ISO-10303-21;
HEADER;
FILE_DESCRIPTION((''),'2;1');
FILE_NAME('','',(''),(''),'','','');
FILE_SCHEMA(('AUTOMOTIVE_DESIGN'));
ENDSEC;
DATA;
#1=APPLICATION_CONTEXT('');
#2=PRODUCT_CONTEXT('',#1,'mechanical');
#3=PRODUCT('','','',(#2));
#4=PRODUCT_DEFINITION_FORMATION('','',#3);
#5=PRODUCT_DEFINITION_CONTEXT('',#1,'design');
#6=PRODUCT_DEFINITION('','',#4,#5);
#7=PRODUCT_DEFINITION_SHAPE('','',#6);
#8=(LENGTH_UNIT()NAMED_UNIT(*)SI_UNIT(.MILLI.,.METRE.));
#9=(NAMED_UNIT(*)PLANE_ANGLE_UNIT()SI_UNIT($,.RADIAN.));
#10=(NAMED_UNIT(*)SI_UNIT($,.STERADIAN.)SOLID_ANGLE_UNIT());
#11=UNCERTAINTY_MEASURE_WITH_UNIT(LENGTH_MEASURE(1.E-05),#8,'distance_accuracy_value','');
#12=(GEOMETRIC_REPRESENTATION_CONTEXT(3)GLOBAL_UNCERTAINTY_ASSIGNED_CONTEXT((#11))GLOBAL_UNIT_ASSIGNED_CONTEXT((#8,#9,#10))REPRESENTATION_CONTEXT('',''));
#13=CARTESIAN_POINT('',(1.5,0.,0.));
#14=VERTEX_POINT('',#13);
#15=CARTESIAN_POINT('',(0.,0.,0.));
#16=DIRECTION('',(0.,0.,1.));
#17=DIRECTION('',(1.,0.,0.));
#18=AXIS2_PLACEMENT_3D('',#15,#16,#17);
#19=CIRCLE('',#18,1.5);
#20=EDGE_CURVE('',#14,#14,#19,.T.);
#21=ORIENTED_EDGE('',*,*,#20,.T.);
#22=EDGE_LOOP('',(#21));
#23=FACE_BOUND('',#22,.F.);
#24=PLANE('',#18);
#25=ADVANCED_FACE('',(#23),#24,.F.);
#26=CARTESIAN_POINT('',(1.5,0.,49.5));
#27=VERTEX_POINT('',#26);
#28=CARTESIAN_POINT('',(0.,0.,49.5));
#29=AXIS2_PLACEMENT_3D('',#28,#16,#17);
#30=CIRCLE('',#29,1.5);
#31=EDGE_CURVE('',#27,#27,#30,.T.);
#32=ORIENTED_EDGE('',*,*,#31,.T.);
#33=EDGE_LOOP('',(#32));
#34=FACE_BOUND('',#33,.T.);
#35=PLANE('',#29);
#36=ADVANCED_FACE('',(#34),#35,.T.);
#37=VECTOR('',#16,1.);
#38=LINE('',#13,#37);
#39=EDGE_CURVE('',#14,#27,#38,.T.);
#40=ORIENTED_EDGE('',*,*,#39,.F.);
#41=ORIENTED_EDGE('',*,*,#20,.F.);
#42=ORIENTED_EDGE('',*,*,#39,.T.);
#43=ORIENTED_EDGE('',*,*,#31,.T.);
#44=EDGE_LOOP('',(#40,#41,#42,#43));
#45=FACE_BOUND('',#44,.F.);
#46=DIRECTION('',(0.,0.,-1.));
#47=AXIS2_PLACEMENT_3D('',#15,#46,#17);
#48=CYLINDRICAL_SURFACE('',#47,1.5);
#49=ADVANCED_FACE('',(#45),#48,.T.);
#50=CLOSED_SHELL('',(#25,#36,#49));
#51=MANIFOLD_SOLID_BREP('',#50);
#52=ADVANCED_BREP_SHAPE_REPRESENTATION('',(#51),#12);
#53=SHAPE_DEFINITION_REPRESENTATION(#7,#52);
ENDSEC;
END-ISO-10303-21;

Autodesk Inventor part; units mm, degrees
ref_plane "YZ Plane" through (0, 0, 0) normal (1, 0, 0) x (0, 1, 0)
ref_plane "XZ Plane" through (0, 0, 0) normal (0, 1, 0) x (-1, 0, 0)
ref_plane "XY Plane" through (0, 0, 0) normal (0, 0, 1) x (1, 0, 0)
sketch "Sketch1" plane through (0, 0, 0) normal (0, 0, 1) x (1, 0, 0)
  circle A0 centre (0, 0) radius 1.5
  dimension "d0" = 3
extrude "Extrusion1" add sketch "Sketch1" along normal blind 49.5
properties part number "Shaft 2"
